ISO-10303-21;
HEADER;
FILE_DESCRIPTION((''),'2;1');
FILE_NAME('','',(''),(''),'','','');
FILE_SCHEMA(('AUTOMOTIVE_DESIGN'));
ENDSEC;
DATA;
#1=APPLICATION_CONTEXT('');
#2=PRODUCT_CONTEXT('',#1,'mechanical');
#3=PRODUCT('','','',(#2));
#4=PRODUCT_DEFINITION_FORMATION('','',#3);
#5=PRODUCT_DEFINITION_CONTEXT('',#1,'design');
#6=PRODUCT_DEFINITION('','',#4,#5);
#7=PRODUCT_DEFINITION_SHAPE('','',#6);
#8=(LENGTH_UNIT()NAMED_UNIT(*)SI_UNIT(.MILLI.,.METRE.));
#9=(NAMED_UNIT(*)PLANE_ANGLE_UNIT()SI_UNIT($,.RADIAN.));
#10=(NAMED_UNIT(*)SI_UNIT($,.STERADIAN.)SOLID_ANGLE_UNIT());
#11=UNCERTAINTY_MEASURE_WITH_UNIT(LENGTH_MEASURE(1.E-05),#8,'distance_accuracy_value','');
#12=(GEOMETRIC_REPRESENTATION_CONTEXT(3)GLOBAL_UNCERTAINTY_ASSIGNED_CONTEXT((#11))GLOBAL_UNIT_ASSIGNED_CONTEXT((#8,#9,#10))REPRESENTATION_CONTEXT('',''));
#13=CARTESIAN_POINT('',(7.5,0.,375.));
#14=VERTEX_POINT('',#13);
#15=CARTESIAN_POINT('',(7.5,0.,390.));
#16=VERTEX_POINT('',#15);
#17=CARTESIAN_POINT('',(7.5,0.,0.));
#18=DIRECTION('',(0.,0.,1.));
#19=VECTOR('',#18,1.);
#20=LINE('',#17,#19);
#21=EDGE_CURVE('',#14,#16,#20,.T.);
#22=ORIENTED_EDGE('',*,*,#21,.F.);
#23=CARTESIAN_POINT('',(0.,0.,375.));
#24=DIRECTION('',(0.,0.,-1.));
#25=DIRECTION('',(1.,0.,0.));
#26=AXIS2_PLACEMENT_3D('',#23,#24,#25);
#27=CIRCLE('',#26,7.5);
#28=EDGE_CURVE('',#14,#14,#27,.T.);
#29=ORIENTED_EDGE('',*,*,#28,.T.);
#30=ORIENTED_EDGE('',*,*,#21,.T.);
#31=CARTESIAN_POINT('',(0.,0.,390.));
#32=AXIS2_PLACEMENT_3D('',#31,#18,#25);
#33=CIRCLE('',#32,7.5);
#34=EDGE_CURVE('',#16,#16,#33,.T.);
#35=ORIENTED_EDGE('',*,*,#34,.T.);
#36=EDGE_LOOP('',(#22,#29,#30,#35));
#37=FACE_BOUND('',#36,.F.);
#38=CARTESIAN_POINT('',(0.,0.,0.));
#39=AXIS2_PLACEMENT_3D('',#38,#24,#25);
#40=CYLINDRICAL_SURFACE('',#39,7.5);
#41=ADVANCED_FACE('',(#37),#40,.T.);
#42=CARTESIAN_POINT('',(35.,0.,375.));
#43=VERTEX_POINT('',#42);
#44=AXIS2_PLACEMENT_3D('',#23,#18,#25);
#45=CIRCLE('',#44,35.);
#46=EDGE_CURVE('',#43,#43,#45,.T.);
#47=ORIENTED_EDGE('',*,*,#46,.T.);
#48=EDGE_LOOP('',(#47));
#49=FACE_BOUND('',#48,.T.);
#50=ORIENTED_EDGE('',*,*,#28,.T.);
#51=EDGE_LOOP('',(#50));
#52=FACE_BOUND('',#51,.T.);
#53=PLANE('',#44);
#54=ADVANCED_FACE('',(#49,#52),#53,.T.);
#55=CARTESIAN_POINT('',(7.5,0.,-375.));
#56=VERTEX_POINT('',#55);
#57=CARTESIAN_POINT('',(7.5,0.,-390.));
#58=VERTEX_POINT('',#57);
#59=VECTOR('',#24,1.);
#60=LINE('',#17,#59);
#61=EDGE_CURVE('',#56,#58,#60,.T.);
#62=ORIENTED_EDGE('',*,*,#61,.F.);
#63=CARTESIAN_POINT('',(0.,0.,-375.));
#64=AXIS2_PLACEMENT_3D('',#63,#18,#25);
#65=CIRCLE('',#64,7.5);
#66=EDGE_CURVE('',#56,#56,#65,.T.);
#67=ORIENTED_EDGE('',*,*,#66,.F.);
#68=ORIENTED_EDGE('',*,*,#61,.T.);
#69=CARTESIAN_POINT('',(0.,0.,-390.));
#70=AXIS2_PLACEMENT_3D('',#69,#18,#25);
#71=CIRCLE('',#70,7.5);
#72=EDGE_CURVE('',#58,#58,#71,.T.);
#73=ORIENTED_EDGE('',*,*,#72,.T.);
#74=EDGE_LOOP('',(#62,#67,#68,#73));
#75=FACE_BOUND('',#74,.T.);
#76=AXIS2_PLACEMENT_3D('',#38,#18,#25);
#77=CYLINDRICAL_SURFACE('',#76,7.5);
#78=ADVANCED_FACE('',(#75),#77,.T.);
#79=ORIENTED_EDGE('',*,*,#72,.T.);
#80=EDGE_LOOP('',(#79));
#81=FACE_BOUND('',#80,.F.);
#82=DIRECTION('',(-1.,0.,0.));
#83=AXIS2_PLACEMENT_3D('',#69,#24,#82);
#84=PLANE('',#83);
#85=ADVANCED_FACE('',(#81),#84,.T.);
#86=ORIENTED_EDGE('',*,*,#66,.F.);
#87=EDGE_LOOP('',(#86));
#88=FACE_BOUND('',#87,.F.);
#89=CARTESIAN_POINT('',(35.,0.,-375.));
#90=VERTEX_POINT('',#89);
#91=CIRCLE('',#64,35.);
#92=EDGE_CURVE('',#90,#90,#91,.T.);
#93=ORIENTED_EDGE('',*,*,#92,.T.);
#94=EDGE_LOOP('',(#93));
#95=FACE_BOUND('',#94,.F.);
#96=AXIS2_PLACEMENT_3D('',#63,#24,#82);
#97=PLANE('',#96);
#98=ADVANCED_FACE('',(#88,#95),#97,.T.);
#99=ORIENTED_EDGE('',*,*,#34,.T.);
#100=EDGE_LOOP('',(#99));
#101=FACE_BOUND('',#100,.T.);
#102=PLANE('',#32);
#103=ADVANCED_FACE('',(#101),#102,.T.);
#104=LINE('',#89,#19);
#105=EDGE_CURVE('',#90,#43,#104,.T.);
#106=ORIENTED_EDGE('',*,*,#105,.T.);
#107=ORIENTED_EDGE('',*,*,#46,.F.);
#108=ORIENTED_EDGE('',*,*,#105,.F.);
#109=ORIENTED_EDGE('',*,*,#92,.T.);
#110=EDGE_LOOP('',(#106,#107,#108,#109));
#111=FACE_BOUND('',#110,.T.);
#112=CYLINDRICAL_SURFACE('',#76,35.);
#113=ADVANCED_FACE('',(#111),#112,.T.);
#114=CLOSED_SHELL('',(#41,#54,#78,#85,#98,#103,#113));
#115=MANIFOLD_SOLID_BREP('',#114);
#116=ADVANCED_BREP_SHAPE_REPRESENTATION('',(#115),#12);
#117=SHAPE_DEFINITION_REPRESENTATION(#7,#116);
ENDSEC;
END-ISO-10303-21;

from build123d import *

# Parameters (mm, degrees)
CYLINDER_R        = 35
CYLINDER_DEPTH    = 375
CYLINDER001_R     = 7.5
CYLINDER001_DEPTH = 390


with BuildPart() as part:
    # Cylinder → Cylinder (join)
    with BuildSketch(Plane.XY):
        Circle(CYLINDER_R)
    cylinder = extrude(amount=CYLINDER_DEPTH)

    # Cylinder001 → Cylinder001 (join)
    with BuildSketch(Plane.XY):
        Circle(CYLINDER001_R)
    cylinder001 = extrude(amount=CYLINDER001_DEPTH)

    # Mirrored001: Cylinder, Cylinder001 across XY
    add(cylinder.mirror(Plane.XY))
    add(cylinder001.mirror(Plane.XY))


solid = part.part
